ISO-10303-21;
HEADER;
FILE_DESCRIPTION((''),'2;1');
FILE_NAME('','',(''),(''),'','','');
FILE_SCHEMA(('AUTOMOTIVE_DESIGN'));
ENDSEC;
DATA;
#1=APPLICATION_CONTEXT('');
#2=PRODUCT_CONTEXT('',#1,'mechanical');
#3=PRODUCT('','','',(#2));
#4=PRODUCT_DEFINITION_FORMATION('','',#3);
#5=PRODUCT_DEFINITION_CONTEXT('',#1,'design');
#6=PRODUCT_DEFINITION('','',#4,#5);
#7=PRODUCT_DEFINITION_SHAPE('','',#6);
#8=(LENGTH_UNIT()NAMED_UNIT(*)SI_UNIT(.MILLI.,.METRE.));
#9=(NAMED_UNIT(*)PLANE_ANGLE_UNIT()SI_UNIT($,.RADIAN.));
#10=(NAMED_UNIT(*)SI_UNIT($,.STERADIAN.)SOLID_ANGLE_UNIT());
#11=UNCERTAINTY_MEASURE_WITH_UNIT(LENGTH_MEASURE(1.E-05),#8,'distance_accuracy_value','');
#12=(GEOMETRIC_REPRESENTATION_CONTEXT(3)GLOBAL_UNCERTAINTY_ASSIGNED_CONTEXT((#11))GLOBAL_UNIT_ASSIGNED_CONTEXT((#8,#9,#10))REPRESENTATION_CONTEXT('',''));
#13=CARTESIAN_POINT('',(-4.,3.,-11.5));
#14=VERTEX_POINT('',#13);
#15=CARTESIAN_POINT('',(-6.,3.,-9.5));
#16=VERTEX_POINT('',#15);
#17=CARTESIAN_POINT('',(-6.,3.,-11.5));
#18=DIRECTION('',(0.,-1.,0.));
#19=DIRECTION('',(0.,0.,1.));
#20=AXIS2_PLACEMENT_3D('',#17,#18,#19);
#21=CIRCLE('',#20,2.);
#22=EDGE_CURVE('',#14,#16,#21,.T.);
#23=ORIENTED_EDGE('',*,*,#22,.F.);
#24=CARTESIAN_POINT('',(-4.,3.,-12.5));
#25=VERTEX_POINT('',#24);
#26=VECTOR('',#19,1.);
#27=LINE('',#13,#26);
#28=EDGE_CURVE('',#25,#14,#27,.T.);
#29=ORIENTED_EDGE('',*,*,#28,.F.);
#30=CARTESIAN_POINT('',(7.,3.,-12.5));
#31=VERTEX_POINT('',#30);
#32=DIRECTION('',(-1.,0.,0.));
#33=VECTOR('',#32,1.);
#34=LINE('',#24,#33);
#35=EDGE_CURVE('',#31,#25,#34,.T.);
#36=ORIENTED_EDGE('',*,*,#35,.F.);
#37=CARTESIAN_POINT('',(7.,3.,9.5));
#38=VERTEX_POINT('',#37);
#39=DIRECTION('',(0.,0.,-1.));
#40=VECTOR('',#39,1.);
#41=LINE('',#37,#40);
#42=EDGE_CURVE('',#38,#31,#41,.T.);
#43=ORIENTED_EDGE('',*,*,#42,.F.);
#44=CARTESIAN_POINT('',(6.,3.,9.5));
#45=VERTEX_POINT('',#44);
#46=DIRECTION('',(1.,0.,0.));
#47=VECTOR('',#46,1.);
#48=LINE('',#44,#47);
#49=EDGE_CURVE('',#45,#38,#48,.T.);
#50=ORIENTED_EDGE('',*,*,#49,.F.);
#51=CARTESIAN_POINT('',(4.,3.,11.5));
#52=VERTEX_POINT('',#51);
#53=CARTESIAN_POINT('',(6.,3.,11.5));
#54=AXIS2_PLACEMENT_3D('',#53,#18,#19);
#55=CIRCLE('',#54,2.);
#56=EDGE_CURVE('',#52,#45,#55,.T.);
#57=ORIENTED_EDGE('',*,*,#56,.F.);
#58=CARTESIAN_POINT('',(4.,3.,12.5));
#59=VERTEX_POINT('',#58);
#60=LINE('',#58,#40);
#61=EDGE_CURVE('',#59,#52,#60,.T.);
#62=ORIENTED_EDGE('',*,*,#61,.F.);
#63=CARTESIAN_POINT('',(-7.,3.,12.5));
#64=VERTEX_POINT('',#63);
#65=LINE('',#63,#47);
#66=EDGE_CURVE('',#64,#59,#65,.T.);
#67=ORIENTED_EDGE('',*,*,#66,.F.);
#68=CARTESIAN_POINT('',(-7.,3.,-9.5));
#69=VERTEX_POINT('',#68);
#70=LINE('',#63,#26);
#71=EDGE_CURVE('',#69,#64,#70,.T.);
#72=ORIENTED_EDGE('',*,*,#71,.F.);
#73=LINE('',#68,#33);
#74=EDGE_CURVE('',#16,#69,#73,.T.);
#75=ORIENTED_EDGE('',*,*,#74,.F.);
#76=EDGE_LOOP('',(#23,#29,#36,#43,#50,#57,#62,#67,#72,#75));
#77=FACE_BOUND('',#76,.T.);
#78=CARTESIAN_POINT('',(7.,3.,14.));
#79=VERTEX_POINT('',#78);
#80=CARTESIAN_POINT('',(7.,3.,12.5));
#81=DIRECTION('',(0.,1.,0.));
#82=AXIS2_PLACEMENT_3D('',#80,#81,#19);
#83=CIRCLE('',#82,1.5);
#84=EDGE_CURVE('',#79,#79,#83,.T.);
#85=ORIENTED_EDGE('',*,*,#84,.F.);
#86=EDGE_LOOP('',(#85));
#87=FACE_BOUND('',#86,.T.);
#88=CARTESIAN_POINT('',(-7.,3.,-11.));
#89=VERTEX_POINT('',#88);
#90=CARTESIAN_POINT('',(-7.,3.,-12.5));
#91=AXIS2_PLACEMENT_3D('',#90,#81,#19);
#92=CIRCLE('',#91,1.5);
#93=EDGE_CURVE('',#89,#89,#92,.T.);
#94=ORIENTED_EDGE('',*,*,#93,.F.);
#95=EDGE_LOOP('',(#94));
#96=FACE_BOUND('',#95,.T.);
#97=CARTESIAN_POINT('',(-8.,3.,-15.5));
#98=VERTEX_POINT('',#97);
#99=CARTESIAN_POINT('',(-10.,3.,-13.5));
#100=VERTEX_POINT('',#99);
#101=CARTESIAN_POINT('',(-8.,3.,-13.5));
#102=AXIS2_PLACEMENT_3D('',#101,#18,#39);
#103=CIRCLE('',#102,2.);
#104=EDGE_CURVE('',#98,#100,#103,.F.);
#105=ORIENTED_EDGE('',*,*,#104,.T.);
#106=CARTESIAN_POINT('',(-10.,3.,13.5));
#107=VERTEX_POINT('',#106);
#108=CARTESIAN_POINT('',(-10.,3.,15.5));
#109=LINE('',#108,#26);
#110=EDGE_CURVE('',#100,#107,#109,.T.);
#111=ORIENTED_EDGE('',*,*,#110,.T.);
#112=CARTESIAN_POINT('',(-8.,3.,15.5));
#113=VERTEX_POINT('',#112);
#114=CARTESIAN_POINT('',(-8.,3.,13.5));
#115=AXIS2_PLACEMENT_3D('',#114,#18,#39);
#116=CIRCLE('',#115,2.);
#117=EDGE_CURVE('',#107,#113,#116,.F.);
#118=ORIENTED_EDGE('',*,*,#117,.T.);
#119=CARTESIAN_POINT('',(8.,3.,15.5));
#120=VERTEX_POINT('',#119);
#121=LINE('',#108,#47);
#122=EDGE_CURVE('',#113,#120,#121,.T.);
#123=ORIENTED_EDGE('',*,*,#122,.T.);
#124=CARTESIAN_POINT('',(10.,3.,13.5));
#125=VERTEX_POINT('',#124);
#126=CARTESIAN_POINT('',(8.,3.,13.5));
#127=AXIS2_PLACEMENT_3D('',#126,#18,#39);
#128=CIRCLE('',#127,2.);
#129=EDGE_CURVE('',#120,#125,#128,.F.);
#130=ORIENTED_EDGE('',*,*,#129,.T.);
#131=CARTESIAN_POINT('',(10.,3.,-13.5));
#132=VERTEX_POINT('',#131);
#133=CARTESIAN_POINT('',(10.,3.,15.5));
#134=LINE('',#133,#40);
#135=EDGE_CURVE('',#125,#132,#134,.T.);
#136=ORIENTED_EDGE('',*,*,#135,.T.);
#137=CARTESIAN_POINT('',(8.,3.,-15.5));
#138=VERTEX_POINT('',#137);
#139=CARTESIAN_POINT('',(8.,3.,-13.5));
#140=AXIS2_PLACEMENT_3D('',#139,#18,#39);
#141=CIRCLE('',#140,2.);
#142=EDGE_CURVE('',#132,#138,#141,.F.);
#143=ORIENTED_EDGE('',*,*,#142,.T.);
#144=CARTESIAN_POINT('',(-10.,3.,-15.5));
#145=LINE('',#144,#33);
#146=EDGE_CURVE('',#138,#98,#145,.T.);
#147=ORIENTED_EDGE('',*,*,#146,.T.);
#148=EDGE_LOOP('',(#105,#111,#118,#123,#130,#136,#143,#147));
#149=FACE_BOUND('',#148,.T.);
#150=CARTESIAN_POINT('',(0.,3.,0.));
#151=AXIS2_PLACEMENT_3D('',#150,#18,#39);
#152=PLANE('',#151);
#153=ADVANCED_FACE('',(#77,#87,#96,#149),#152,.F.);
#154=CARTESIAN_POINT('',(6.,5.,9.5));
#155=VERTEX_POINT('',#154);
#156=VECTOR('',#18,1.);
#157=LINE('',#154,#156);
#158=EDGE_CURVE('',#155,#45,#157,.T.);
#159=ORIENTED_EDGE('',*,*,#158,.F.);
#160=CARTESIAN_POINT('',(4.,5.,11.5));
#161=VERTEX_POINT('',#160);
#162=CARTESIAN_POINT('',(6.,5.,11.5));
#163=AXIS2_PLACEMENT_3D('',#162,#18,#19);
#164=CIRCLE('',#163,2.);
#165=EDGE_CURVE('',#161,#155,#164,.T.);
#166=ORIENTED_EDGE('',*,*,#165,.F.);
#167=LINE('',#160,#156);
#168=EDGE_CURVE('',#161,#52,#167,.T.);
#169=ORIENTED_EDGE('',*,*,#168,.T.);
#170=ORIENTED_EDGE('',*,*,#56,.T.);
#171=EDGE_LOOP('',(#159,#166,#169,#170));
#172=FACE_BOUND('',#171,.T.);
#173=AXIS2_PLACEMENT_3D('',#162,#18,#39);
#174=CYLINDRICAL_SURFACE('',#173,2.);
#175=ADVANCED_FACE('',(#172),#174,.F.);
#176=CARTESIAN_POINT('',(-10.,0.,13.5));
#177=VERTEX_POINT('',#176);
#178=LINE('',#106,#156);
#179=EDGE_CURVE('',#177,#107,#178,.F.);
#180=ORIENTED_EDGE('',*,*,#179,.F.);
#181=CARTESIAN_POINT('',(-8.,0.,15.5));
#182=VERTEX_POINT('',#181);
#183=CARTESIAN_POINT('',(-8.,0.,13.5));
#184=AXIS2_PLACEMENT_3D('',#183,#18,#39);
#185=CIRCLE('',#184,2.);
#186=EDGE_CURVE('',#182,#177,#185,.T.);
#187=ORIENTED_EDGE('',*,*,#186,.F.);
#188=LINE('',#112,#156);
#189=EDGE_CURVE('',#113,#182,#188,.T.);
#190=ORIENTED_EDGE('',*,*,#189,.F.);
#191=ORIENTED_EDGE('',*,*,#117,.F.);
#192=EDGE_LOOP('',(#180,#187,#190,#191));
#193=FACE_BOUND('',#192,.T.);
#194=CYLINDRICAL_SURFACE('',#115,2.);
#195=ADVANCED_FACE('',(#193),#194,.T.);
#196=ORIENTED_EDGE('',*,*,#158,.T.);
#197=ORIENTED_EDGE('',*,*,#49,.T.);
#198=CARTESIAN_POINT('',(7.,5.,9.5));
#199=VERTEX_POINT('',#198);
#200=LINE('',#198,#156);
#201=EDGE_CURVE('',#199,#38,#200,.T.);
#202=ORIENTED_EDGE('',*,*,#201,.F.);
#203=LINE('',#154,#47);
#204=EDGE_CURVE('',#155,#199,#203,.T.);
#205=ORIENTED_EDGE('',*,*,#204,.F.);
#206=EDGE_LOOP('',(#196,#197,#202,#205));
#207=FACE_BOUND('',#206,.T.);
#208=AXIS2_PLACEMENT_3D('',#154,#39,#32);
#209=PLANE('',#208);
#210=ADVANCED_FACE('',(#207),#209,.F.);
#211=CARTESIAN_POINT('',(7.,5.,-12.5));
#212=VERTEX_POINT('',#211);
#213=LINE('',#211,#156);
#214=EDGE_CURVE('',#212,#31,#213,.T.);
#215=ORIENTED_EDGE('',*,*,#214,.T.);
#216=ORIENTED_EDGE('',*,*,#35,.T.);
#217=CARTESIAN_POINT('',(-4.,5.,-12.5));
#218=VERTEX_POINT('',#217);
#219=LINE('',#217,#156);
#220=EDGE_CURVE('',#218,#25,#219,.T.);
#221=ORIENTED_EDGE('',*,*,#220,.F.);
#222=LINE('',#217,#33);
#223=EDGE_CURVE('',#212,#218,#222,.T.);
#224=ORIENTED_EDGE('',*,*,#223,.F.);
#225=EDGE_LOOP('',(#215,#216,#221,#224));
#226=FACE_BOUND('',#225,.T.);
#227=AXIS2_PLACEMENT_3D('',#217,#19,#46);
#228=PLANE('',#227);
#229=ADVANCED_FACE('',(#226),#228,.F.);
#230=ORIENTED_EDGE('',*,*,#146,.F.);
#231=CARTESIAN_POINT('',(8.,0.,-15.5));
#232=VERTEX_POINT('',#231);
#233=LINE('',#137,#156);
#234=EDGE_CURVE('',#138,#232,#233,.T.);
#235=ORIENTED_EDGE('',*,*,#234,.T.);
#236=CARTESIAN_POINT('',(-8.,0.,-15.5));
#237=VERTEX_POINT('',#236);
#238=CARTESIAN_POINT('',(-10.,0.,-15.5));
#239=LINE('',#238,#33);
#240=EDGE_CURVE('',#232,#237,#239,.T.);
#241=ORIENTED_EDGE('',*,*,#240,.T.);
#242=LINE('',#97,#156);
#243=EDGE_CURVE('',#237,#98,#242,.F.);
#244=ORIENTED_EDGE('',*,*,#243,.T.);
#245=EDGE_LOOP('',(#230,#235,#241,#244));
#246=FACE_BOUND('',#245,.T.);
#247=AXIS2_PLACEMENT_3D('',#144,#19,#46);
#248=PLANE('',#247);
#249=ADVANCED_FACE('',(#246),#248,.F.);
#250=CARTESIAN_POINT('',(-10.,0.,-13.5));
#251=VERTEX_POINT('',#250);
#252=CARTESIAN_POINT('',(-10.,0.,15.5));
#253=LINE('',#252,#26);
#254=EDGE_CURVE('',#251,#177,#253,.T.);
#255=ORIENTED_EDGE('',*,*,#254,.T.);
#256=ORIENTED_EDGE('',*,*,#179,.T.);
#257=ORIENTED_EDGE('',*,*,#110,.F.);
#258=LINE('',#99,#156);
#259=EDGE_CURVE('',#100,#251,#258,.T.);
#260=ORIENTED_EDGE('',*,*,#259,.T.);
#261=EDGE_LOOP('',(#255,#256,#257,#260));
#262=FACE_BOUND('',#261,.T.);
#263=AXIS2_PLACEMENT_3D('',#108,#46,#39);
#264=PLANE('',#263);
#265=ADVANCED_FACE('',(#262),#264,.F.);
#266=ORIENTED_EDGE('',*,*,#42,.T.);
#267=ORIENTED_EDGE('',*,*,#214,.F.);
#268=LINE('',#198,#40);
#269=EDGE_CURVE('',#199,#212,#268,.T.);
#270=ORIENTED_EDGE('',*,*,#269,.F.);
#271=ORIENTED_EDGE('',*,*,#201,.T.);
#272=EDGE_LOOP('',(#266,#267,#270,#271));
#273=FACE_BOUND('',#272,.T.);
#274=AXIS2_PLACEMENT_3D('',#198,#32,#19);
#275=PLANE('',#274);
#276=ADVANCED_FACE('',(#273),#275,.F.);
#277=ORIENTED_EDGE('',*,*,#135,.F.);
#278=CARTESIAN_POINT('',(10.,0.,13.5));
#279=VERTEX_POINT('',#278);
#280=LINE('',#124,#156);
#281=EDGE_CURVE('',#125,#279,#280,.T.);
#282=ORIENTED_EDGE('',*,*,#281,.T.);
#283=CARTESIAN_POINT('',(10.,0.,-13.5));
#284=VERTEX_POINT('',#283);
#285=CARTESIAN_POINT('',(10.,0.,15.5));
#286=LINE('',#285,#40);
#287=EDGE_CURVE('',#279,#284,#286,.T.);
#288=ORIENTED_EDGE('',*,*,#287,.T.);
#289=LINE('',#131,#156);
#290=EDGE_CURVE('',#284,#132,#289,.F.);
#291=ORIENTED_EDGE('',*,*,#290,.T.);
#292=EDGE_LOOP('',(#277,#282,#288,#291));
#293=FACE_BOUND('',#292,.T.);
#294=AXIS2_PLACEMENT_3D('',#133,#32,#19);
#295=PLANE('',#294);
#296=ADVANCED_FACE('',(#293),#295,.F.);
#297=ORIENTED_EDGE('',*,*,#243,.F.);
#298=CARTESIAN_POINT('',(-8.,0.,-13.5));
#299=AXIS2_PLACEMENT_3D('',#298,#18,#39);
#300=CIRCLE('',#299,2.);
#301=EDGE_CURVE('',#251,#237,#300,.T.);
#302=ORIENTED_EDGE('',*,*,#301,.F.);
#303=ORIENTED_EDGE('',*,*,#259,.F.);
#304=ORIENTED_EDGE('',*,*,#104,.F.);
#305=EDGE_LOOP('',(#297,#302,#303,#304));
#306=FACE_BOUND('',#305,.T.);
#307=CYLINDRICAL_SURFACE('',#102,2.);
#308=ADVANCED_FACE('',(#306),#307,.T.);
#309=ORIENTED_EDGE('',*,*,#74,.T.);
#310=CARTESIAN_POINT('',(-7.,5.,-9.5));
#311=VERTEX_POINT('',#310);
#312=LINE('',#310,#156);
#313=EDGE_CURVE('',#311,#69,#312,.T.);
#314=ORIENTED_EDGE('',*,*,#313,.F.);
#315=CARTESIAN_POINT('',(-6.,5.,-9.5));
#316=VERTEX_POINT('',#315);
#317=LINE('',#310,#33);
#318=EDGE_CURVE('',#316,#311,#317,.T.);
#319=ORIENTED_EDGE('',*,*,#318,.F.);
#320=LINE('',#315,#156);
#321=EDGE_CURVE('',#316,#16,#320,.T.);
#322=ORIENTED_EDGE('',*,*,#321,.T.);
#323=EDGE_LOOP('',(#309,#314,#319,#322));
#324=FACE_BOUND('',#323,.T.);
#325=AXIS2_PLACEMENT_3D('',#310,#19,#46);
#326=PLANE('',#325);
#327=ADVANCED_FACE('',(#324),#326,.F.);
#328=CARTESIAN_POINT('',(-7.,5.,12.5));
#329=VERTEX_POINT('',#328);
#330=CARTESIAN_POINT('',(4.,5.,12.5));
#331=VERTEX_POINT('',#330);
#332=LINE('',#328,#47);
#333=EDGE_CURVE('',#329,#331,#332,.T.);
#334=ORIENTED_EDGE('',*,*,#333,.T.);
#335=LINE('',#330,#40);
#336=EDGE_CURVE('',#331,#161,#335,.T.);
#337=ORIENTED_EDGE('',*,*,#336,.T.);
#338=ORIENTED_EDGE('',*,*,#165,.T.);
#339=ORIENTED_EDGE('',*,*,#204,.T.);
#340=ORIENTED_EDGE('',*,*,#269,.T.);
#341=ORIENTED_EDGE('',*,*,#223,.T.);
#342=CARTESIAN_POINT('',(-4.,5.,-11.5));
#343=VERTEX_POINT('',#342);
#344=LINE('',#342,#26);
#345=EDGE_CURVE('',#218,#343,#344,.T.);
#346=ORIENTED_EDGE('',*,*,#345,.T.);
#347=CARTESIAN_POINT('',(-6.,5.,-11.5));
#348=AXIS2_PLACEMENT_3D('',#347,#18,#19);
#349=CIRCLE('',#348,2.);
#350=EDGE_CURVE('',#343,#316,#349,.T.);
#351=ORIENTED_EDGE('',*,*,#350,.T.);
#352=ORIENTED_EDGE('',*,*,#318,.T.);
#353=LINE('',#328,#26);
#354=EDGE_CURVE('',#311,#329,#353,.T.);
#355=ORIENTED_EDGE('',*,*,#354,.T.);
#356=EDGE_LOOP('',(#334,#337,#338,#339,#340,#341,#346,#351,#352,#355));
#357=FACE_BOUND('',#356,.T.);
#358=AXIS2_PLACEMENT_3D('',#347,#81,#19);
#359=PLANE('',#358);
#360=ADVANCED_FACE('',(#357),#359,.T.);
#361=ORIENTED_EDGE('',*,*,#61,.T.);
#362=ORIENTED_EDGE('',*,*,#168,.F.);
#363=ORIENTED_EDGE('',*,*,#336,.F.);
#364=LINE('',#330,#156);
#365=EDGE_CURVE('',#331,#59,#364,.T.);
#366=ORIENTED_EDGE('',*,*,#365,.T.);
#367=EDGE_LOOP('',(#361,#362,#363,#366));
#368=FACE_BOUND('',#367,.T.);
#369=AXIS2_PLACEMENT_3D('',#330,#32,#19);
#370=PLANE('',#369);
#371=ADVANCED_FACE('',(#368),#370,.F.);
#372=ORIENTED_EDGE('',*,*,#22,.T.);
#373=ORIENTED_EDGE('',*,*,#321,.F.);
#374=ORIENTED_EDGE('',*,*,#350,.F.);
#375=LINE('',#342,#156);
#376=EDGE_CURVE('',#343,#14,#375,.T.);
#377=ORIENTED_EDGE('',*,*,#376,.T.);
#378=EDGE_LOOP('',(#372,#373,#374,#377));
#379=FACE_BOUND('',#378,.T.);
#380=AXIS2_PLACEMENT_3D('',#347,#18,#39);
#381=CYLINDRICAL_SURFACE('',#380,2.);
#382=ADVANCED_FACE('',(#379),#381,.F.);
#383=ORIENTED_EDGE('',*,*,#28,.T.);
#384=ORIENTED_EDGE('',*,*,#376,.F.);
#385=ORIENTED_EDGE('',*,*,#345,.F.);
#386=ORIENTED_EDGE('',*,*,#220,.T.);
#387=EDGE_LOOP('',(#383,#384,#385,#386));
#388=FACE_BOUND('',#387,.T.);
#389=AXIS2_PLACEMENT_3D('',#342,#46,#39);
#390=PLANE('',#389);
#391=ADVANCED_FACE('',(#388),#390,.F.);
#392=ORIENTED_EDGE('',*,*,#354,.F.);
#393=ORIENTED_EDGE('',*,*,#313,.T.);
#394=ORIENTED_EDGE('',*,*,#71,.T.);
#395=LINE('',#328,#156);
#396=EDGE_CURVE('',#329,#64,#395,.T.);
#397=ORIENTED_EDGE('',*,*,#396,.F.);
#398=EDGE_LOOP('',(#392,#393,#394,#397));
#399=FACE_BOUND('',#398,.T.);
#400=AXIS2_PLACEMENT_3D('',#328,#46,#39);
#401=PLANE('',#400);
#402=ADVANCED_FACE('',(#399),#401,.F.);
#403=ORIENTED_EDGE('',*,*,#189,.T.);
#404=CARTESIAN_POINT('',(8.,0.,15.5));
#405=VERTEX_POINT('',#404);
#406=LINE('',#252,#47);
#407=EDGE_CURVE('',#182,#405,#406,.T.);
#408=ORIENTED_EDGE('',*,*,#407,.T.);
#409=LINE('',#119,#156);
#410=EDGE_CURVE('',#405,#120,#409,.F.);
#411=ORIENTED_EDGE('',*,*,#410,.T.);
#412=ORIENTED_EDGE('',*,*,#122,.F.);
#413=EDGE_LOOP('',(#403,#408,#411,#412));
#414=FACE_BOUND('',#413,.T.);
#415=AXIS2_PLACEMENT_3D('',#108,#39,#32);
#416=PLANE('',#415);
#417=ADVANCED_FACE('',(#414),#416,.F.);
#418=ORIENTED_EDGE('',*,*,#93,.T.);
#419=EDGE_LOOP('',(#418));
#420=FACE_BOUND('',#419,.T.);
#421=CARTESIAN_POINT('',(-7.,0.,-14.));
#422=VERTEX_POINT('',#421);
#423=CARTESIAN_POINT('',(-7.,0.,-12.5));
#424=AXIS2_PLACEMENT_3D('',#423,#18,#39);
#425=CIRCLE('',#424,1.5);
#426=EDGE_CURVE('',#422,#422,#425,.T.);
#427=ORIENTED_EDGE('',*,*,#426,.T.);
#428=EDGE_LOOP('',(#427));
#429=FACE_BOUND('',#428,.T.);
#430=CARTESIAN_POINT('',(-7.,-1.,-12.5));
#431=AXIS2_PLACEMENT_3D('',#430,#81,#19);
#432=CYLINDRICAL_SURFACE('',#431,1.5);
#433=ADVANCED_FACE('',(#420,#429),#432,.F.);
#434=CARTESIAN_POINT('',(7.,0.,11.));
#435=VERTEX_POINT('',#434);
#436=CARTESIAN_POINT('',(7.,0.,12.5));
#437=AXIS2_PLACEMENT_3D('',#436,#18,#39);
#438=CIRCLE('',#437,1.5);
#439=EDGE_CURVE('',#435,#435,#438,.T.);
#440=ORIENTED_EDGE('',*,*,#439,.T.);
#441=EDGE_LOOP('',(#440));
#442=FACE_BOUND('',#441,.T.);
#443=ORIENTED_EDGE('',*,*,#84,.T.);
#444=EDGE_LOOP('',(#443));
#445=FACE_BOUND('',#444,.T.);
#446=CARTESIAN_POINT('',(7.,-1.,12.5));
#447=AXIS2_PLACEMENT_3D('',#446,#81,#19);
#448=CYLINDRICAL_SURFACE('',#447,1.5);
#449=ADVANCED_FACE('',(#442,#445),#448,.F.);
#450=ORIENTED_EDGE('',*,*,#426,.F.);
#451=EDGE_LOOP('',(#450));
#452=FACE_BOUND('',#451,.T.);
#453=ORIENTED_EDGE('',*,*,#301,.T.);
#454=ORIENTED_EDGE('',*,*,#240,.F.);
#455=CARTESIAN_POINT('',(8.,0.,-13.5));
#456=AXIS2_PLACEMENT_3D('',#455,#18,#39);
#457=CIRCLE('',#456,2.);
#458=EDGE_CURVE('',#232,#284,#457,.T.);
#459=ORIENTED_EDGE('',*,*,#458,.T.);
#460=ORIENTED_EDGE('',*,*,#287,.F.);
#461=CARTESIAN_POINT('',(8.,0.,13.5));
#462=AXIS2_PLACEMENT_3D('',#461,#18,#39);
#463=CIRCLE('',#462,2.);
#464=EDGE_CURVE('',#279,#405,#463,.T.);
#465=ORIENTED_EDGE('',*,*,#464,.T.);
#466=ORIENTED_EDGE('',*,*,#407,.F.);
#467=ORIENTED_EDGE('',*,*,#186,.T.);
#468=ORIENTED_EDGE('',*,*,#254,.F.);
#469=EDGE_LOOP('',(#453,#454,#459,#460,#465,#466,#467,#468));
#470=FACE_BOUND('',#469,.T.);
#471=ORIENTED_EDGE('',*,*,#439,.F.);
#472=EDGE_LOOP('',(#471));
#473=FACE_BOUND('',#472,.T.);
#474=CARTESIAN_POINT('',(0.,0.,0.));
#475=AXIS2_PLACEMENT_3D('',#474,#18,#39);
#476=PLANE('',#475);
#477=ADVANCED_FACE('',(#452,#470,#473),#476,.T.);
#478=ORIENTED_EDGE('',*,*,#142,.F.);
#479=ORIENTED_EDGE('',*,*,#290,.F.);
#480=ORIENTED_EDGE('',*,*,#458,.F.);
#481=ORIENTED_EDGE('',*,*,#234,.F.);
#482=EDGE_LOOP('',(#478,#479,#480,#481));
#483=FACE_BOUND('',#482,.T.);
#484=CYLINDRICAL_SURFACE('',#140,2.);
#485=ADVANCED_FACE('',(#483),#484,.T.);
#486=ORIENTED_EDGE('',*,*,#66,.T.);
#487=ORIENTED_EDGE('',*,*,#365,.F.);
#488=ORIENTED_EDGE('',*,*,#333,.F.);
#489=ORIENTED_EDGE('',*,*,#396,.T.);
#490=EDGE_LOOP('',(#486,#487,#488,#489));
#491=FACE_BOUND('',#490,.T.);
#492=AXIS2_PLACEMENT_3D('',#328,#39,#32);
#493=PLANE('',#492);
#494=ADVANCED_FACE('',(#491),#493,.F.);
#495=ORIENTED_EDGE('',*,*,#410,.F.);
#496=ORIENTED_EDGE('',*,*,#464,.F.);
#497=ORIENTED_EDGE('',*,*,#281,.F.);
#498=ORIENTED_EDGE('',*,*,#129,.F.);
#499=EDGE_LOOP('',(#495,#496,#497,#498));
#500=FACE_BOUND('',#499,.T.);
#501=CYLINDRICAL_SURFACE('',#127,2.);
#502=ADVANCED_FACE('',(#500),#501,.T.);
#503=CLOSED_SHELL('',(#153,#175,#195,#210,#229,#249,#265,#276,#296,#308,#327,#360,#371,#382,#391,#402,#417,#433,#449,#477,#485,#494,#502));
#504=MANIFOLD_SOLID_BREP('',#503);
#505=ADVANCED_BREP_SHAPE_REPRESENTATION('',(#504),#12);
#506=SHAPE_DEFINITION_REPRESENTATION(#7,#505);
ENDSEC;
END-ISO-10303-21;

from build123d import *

# Parameters (mm, degrees)
CROQUIS1_W              = 20
CROQUIS1_H              = 31
SALIENTE_EXTRUIR1_DEPTH = 3
REDONDEO1_R             = 2
SALIENTE_EXTRUIR2_DEPTH = 2
CROQUIS3_R              = 1.5
CORTAR_EXTRUIR1_DEPTH   = 4


with BuildPart() as part:
    # Croquis1 → Saliente-Extruir1 (new body)
    with BuildSketch(Plane(origin=(0, 0, 0), x_dir=(1, 0, 0), z_dir=(0, 1, 0))):
        Rectangle(CROQUIS1_W, CROQUIS1_H)
    extrude(amount=SALIENTE_EXTRUIR1_DEPTH)

    # Redondeo1
    redondeo1_edges = [part.edges().sort_by_distance(p)[0] for p in [
        (10, 1.5, 15.5),
        (-10, 1.5, 15.5),
        (-10, 1.5, -15.5),
        (10, 1.5, -15.5),
    ]]
    fillet(redondeo1_edges, radius=REDONDEO1_R)

    # Croquis2 → Saliente-Extruir2 (add)
    with BuildSketch(Plane(origin=(0, 3, 0), x_dir=(1, 0, 0), z_dir=(0, 1, 0))):
        with BuildLine():
            Line((-7, -12.5), (4, -12.5))
            Line((4, -12.5), (4, -11.5))
            ThreePointArc((4, -11.5), (4.585786438, -10.085786438), (6, -9.5))
            Line((6, -9.5), (7, -9.5))
            Line((7, -9.5), (7, 12.5))
            Line((7, 12.5), (-4, 12.5))
            Line((-4, 12.5), (-4, 11.5))
            ThreePointArc((-4, 11.5), (-4.585786438, 10.085786438), (-6, 9.5))
            Line((-6, 9.5), (-7, 9.5))
            Line((-7, 9.5), (-7, -12.5))
        make_face()
    extrude(amount=SALIENTE_EXTRUIR2_DEPTH)

    # Croquis3 → Cortar-Extruir1 (cut)
    with BuildSketch(Plane(origin=(0, 3, 0), x_dir=(1, 0, 0), z_dir=(0, 1, 0))):
        with Locations(Location((-7, 12.5, 0), (0, 0, 270))):
            Circle(CROQUIS3_R)
        with Locations(Location((7, -12.5, 0), (0, 0, 270))):
            Circle(CROQUIS3_R)
    extrude(amount=-CORTAR_EXTRUIR1_DEPTH, mode=Mode.SUBTRACT)


solid = part.part
